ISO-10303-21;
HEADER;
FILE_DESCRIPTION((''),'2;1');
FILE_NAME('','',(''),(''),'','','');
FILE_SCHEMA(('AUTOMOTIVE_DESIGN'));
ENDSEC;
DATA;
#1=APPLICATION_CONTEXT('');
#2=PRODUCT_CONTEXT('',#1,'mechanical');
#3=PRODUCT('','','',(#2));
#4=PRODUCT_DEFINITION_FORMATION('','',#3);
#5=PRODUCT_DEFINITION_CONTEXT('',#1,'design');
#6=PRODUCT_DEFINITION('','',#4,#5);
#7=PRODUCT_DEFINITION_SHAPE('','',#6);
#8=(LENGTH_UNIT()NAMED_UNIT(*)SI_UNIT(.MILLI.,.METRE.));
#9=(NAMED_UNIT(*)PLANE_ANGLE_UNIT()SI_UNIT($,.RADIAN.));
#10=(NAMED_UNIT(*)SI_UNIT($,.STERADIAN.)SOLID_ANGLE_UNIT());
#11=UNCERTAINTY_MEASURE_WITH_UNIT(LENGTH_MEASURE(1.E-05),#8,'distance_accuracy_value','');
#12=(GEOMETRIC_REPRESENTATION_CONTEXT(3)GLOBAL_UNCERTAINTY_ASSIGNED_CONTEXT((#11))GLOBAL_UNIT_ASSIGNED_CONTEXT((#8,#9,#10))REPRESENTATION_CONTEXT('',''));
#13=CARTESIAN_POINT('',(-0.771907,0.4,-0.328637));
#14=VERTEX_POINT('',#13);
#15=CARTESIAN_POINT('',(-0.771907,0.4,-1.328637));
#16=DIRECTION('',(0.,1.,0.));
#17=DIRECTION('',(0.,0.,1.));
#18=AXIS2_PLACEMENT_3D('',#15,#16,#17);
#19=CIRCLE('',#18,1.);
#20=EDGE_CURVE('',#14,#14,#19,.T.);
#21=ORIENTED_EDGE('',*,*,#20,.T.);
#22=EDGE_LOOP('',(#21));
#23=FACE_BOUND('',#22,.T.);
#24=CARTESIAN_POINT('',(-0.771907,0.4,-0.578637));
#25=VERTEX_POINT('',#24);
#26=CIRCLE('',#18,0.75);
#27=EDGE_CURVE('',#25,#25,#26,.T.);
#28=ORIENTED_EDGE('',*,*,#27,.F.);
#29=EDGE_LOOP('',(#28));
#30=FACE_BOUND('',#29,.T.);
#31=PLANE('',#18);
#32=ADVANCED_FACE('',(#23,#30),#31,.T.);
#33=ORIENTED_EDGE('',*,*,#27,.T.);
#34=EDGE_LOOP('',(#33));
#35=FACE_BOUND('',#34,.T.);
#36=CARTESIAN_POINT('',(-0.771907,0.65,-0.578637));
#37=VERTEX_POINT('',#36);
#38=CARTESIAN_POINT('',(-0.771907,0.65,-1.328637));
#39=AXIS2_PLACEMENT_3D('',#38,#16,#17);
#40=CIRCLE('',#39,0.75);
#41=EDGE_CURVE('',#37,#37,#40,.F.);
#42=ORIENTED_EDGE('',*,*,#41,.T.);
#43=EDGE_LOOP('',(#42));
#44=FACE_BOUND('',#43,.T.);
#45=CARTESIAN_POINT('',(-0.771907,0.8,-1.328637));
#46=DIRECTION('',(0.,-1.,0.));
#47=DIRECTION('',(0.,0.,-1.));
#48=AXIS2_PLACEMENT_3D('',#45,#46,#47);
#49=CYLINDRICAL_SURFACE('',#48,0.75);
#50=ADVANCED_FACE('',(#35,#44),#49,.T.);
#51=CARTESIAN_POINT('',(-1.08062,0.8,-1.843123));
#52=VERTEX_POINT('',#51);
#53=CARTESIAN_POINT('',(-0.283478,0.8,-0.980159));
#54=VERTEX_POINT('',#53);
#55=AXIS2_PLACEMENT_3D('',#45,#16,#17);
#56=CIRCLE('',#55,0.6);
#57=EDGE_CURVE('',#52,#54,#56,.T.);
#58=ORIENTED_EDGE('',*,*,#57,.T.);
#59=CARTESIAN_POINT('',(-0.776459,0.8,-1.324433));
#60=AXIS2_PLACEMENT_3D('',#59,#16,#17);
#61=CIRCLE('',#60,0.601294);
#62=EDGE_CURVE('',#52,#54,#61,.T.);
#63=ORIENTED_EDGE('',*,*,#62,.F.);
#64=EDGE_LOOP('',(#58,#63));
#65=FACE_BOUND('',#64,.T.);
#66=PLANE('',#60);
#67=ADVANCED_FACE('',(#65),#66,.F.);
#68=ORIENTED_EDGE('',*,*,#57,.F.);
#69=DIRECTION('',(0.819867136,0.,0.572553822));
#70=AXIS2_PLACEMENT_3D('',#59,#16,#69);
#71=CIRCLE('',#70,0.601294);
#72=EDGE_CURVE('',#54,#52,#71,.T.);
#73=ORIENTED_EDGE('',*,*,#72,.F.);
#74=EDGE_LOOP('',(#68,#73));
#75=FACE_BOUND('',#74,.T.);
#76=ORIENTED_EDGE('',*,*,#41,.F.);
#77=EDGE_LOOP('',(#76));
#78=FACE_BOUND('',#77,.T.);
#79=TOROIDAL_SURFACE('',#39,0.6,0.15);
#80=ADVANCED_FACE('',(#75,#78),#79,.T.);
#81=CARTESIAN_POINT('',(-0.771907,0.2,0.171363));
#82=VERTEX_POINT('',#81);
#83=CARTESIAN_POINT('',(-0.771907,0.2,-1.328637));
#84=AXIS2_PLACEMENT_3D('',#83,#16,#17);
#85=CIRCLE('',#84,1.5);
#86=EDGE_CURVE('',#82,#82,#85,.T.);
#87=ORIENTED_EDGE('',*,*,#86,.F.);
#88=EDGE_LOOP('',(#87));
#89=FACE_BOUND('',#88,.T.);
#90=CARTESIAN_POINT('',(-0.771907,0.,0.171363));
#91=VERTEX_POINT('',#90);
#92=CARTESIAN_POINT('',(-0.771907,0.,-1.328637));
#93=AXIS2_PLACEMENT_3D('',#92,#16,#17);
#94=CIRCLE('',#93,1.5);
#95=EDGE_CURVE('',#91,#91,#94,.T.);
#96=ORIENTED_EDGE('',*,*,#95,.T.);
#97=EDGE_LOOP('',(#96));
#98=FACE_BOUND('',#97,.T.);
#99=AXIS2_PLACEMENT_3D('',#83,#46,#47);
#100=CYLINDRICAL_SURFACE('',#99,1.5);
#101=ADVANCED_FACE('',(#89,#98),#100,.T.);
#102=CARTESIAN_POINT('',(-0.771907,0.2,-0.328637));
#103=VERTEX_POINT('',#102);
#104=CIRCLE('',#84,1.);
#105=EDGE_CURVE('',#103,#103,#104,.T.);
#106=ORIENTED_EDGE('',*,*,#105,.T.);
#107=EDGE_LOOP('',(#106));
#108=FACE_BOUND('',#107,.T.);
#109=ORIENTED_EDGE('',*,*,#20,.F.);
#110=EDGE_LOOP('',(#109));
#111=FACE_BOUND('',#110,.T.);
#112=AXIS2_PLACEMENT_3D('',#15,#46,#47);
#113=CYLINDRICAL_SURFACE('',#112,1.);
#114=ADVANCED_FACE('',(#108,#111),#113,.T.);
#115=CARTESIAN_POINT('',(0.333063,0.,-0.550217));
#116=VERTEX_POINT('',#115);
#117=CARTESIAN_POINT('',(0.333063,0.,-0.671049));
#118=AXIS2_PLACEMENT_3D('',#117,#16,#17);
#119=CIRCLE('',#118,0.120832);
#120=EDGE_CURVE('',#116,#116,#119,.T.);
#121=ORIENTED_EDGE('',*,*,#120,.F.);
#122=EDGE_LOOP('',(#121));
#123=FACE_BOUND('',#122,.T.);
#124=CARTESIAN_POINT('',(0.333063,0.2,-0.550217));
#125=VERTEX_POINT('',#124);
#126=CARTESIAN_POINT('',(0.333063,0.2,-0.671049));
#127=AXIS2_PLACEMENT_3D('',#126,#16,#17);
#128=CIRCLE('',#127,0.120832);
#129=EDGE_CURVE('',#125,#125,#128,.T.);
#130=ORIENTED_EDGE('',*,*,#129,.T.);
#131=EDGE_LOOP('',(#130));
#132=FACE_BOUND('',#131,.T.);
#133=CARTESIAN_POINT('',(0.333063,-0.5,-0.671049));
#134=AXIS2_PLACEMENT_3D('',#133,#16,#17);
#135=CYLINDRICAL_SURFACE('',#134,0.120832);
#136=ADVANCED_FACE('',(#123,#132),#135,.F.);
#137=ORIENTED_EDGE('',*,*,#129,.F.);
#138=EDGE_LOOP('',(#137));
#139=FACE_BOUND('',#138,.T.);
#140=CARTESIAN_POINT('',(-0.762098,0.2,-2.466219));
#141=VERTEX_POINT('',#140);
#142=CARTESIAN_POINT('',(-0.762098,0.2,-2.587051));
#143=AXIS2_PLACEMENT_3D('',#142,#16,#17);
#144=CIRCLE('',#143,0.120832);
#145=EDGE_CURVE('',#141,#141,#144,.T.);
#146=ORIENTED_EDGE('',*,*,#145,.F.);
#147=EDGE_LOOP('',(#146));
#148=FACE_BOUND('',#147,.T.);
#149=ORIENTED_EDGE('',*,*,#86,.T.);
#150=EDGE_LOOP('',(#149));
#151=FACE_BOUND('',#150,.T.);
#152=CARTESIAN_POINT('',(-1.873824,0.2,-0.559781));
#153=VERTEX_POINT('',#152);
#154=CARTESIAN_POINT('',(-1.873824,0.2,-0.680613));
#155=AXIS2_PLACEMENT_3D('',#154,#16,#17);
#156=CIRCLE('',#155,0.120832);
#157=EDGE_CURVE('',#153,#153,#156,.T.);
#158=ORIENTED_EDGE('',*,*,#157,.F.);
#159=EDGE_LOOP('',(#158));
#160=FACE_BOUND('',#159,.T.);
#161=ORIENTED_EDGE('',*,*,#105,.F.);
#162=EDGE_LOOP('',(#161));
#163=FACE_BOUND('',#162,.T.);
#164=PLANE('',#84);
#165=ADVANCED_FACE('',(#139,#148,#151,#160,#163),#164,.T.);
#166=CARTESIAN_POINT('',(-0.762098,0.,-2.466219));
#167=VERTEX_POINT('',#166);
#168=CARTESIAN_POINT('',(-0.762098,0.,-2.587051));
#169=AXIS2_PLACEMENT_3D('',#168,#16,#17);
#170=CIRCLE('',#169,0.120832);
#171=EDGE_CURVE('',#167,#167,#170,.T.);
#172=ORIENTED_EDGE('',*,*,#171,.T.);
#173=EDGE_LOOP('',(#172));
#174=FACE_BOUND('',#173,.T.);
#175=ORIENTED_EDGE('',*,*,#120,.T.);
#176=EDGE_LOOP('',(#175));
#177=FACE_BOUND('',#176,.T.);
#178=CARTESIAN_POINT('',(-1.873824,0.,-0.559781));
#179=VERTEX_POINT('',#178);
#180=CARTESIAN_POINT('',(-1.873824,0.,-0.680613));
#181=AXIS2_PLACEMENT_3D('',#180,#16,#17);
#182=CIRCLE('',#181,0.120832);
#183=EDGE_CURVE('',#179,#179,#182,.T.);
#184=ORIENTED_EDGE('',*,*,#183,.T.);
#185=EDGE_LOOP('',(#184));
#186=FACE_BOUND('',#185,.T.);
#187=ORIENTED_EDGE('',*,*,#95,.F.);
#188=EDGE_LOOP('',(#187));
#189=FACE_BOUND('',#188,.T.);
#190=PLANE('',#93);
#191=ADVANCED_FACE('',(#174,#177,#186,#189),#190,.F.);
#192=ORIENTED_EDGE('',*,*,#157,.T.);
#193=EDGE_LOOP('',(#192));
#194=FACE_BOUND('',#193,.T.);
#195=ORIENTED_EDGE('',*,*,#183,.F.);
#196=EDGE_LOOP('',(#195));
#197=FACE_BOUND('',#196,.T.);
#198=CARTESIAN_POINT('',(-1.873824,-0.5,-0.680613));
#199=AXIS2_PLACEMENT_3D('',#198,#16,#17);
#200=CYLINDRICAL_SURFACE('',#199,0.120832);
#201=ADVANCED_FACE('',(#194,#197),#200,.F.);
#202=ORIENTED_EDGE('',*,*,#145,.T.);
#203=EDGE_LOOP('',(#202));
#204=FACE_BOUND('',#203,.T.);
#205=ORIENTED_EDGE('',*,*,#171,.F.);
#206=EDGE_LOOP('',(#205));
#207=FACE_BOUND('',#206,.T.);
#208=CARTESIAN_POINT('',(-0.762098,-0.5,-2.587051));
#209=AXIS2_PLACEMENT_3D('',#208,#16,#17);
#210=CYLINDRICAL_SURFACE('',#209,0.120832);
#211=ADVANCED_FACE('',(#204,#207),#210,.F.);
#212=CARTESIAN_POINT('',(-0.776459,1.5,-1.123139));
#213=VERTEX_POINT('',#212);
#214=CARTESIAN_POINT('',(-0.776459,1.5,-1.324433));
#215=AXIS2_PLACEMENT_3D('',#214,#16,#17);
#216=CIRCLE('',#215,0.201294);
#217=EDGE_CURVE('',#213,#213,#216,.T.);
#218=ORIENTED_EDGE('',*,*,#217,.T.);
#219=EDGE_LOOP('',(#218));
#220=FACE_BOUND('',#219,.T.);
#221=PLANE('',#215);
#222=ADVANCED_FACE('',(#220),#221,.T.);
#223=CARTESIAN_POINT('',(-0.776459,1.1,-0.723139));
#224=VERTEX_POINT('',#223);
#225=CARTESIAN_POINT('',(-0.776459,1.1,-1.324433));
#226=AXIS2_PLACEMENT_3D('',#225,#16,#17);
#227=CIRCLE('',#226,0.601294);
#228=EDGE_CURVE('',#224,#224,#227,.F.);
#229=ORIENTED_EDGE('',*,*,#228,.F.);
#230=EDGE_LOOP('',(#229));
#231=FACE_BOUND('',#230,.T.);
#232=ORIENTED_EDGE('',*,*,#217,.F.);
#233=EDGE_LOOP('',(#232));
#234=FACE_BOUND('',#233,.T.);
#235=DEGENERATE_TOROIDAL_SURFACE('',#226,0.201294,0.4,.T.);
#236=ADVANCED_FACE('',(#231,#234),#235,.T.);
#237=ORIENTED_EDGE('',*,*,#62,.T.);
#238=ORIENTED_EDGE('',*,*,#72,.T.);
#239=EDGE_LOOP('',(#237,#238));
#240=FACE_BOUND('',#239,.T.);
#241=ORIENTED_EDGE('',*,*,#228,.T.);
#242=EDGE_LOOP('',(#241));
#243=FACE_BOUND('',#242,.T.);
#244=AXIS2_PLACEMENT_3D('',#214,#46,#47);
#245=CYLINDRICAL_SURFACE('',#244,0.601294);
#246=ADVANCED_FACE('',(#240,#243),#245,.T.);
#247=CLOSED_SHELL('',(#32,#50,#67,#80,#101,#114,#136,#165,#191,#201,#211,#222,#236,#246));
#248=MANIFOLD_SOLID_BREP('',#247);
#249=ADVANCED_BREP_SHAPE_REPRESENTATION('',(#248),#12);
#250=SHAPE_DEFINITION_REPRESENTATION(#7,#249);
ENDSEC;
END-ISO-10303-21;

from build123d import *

# Parameters (mm, degrees)
SKETCH1_R           = 1.5
BOSS_EXTRUDE1_DEPTH = 0.2
SKETCH2_R           = 1
BOSS_EXTRUDE2_DEPTH = 0.2
SKETCH3_R           = 0.75
BOSS_EXTRUDE3_DEPTH = 0.4
FILLET1_R           = 0.15
SKETCH7_R           = 0.601293839
BOSS_EXTRUDE4_DEPTH = 0.7
FILLET2_R           = 0.4
SKETCH8_R           = 0.120832219
CUT_EXTRUDE1_DEPTH  = 0.7


with BuildPart() as part:
    # Sketch1 → Boss-Extrude1 (new body)
    with BuildSketch(Plane(origin=(0, 0, 0), x_dir=(1, 0, 0), z_dir=(0, 1, 0))):
        with Locations(Location((-0.771907226, 1.328636773, 0), (0, 0, 270))):
            Circle(SKETCH1_R)
    extrude(amount=BOSS_EXTRUDE1_DEPTH)

    # Sketch2 → Boss-Extrude2 (add)
    with BuildSketch(Plane(origin=(0, 0.2, 0), x_dir=(1, 0, 0), z_dir=(0, 1, 0))):
        with Locations(Location((-0.771907226, 1.328636773, 0), (0, 0, 270))):
            Circle(SKETCH2_R)
    extrude(amount=BOSS_EXTRUDE2_DEPTH)

    # Sketch3 → Boss-Extrude3 (add)
    with BuildSketch(Plane(origin=(0, 0.4, 0), x_dir=(1, 0, 0), z_dir=(0, 1, 0))):
        with Locations(Location((-0.771907226, 1.328636773, 0), (0, 0, 270))):
            Circle(SKETCH3_R)
    extrude(amount=BOSS_EXTRUDE3_DEPTH)

    # Fillet1
    fillet1_edges = [part.edges().sort_by_distance(p)[0] for p in [
        (-0.771907226, 0.8, -2.078636773),
    ]]
    fillet(fillet1_edges, radius=FILLET1_R)

    # Sketch7 → Boss-Extrude4 (add)
    with BuildSketch(Plane(origin=(0, 0.8, 0), x_dir=(1, 0, 0), z_dir=(0, 1, 0))):
        with Locations(Location((-0.776458573, 1.324432574, 0), (0, 0, 120.387457417))):
            Circle(SKETCH7_R)
    extrude(amount=BOSS_EXTRUDE4_DEPTH)

    # Fillet2
    fillet2_edges = [part.edges().sort_by_distance(p)[0] for p in [
        (-0.472297127, 1.5, -0.805741822),
    ]]
    fillet(fillet2_edges, radius=FILLET2_R)

    # Sketch8 → Cut-Extrude1 (cut)
    with BuildSketch(Plane(origin=(0, 0.2, 0), x_dir=(1, 0, 0), z_dir=(0, 1, 0))):
        with Locations(Location((-0.762097508, 2.587051024, 0), (0, 0, 270))):
            Circle(SKETCH8_R)
        with Locations(Location((0.333062694, 0.671048981, 0), (0, 0, 270))):
            Circle(SKETCH8_R)
        with Locations(Location((-1.87382385, 0.680613446, 0), (0, 0, 270))):
            Circle(SKETCH8_R)
    extrude(amount=-CUT_EXTRUDE1_DEPTH, mode=Mode.SUBTRACT)


solid = part.part
